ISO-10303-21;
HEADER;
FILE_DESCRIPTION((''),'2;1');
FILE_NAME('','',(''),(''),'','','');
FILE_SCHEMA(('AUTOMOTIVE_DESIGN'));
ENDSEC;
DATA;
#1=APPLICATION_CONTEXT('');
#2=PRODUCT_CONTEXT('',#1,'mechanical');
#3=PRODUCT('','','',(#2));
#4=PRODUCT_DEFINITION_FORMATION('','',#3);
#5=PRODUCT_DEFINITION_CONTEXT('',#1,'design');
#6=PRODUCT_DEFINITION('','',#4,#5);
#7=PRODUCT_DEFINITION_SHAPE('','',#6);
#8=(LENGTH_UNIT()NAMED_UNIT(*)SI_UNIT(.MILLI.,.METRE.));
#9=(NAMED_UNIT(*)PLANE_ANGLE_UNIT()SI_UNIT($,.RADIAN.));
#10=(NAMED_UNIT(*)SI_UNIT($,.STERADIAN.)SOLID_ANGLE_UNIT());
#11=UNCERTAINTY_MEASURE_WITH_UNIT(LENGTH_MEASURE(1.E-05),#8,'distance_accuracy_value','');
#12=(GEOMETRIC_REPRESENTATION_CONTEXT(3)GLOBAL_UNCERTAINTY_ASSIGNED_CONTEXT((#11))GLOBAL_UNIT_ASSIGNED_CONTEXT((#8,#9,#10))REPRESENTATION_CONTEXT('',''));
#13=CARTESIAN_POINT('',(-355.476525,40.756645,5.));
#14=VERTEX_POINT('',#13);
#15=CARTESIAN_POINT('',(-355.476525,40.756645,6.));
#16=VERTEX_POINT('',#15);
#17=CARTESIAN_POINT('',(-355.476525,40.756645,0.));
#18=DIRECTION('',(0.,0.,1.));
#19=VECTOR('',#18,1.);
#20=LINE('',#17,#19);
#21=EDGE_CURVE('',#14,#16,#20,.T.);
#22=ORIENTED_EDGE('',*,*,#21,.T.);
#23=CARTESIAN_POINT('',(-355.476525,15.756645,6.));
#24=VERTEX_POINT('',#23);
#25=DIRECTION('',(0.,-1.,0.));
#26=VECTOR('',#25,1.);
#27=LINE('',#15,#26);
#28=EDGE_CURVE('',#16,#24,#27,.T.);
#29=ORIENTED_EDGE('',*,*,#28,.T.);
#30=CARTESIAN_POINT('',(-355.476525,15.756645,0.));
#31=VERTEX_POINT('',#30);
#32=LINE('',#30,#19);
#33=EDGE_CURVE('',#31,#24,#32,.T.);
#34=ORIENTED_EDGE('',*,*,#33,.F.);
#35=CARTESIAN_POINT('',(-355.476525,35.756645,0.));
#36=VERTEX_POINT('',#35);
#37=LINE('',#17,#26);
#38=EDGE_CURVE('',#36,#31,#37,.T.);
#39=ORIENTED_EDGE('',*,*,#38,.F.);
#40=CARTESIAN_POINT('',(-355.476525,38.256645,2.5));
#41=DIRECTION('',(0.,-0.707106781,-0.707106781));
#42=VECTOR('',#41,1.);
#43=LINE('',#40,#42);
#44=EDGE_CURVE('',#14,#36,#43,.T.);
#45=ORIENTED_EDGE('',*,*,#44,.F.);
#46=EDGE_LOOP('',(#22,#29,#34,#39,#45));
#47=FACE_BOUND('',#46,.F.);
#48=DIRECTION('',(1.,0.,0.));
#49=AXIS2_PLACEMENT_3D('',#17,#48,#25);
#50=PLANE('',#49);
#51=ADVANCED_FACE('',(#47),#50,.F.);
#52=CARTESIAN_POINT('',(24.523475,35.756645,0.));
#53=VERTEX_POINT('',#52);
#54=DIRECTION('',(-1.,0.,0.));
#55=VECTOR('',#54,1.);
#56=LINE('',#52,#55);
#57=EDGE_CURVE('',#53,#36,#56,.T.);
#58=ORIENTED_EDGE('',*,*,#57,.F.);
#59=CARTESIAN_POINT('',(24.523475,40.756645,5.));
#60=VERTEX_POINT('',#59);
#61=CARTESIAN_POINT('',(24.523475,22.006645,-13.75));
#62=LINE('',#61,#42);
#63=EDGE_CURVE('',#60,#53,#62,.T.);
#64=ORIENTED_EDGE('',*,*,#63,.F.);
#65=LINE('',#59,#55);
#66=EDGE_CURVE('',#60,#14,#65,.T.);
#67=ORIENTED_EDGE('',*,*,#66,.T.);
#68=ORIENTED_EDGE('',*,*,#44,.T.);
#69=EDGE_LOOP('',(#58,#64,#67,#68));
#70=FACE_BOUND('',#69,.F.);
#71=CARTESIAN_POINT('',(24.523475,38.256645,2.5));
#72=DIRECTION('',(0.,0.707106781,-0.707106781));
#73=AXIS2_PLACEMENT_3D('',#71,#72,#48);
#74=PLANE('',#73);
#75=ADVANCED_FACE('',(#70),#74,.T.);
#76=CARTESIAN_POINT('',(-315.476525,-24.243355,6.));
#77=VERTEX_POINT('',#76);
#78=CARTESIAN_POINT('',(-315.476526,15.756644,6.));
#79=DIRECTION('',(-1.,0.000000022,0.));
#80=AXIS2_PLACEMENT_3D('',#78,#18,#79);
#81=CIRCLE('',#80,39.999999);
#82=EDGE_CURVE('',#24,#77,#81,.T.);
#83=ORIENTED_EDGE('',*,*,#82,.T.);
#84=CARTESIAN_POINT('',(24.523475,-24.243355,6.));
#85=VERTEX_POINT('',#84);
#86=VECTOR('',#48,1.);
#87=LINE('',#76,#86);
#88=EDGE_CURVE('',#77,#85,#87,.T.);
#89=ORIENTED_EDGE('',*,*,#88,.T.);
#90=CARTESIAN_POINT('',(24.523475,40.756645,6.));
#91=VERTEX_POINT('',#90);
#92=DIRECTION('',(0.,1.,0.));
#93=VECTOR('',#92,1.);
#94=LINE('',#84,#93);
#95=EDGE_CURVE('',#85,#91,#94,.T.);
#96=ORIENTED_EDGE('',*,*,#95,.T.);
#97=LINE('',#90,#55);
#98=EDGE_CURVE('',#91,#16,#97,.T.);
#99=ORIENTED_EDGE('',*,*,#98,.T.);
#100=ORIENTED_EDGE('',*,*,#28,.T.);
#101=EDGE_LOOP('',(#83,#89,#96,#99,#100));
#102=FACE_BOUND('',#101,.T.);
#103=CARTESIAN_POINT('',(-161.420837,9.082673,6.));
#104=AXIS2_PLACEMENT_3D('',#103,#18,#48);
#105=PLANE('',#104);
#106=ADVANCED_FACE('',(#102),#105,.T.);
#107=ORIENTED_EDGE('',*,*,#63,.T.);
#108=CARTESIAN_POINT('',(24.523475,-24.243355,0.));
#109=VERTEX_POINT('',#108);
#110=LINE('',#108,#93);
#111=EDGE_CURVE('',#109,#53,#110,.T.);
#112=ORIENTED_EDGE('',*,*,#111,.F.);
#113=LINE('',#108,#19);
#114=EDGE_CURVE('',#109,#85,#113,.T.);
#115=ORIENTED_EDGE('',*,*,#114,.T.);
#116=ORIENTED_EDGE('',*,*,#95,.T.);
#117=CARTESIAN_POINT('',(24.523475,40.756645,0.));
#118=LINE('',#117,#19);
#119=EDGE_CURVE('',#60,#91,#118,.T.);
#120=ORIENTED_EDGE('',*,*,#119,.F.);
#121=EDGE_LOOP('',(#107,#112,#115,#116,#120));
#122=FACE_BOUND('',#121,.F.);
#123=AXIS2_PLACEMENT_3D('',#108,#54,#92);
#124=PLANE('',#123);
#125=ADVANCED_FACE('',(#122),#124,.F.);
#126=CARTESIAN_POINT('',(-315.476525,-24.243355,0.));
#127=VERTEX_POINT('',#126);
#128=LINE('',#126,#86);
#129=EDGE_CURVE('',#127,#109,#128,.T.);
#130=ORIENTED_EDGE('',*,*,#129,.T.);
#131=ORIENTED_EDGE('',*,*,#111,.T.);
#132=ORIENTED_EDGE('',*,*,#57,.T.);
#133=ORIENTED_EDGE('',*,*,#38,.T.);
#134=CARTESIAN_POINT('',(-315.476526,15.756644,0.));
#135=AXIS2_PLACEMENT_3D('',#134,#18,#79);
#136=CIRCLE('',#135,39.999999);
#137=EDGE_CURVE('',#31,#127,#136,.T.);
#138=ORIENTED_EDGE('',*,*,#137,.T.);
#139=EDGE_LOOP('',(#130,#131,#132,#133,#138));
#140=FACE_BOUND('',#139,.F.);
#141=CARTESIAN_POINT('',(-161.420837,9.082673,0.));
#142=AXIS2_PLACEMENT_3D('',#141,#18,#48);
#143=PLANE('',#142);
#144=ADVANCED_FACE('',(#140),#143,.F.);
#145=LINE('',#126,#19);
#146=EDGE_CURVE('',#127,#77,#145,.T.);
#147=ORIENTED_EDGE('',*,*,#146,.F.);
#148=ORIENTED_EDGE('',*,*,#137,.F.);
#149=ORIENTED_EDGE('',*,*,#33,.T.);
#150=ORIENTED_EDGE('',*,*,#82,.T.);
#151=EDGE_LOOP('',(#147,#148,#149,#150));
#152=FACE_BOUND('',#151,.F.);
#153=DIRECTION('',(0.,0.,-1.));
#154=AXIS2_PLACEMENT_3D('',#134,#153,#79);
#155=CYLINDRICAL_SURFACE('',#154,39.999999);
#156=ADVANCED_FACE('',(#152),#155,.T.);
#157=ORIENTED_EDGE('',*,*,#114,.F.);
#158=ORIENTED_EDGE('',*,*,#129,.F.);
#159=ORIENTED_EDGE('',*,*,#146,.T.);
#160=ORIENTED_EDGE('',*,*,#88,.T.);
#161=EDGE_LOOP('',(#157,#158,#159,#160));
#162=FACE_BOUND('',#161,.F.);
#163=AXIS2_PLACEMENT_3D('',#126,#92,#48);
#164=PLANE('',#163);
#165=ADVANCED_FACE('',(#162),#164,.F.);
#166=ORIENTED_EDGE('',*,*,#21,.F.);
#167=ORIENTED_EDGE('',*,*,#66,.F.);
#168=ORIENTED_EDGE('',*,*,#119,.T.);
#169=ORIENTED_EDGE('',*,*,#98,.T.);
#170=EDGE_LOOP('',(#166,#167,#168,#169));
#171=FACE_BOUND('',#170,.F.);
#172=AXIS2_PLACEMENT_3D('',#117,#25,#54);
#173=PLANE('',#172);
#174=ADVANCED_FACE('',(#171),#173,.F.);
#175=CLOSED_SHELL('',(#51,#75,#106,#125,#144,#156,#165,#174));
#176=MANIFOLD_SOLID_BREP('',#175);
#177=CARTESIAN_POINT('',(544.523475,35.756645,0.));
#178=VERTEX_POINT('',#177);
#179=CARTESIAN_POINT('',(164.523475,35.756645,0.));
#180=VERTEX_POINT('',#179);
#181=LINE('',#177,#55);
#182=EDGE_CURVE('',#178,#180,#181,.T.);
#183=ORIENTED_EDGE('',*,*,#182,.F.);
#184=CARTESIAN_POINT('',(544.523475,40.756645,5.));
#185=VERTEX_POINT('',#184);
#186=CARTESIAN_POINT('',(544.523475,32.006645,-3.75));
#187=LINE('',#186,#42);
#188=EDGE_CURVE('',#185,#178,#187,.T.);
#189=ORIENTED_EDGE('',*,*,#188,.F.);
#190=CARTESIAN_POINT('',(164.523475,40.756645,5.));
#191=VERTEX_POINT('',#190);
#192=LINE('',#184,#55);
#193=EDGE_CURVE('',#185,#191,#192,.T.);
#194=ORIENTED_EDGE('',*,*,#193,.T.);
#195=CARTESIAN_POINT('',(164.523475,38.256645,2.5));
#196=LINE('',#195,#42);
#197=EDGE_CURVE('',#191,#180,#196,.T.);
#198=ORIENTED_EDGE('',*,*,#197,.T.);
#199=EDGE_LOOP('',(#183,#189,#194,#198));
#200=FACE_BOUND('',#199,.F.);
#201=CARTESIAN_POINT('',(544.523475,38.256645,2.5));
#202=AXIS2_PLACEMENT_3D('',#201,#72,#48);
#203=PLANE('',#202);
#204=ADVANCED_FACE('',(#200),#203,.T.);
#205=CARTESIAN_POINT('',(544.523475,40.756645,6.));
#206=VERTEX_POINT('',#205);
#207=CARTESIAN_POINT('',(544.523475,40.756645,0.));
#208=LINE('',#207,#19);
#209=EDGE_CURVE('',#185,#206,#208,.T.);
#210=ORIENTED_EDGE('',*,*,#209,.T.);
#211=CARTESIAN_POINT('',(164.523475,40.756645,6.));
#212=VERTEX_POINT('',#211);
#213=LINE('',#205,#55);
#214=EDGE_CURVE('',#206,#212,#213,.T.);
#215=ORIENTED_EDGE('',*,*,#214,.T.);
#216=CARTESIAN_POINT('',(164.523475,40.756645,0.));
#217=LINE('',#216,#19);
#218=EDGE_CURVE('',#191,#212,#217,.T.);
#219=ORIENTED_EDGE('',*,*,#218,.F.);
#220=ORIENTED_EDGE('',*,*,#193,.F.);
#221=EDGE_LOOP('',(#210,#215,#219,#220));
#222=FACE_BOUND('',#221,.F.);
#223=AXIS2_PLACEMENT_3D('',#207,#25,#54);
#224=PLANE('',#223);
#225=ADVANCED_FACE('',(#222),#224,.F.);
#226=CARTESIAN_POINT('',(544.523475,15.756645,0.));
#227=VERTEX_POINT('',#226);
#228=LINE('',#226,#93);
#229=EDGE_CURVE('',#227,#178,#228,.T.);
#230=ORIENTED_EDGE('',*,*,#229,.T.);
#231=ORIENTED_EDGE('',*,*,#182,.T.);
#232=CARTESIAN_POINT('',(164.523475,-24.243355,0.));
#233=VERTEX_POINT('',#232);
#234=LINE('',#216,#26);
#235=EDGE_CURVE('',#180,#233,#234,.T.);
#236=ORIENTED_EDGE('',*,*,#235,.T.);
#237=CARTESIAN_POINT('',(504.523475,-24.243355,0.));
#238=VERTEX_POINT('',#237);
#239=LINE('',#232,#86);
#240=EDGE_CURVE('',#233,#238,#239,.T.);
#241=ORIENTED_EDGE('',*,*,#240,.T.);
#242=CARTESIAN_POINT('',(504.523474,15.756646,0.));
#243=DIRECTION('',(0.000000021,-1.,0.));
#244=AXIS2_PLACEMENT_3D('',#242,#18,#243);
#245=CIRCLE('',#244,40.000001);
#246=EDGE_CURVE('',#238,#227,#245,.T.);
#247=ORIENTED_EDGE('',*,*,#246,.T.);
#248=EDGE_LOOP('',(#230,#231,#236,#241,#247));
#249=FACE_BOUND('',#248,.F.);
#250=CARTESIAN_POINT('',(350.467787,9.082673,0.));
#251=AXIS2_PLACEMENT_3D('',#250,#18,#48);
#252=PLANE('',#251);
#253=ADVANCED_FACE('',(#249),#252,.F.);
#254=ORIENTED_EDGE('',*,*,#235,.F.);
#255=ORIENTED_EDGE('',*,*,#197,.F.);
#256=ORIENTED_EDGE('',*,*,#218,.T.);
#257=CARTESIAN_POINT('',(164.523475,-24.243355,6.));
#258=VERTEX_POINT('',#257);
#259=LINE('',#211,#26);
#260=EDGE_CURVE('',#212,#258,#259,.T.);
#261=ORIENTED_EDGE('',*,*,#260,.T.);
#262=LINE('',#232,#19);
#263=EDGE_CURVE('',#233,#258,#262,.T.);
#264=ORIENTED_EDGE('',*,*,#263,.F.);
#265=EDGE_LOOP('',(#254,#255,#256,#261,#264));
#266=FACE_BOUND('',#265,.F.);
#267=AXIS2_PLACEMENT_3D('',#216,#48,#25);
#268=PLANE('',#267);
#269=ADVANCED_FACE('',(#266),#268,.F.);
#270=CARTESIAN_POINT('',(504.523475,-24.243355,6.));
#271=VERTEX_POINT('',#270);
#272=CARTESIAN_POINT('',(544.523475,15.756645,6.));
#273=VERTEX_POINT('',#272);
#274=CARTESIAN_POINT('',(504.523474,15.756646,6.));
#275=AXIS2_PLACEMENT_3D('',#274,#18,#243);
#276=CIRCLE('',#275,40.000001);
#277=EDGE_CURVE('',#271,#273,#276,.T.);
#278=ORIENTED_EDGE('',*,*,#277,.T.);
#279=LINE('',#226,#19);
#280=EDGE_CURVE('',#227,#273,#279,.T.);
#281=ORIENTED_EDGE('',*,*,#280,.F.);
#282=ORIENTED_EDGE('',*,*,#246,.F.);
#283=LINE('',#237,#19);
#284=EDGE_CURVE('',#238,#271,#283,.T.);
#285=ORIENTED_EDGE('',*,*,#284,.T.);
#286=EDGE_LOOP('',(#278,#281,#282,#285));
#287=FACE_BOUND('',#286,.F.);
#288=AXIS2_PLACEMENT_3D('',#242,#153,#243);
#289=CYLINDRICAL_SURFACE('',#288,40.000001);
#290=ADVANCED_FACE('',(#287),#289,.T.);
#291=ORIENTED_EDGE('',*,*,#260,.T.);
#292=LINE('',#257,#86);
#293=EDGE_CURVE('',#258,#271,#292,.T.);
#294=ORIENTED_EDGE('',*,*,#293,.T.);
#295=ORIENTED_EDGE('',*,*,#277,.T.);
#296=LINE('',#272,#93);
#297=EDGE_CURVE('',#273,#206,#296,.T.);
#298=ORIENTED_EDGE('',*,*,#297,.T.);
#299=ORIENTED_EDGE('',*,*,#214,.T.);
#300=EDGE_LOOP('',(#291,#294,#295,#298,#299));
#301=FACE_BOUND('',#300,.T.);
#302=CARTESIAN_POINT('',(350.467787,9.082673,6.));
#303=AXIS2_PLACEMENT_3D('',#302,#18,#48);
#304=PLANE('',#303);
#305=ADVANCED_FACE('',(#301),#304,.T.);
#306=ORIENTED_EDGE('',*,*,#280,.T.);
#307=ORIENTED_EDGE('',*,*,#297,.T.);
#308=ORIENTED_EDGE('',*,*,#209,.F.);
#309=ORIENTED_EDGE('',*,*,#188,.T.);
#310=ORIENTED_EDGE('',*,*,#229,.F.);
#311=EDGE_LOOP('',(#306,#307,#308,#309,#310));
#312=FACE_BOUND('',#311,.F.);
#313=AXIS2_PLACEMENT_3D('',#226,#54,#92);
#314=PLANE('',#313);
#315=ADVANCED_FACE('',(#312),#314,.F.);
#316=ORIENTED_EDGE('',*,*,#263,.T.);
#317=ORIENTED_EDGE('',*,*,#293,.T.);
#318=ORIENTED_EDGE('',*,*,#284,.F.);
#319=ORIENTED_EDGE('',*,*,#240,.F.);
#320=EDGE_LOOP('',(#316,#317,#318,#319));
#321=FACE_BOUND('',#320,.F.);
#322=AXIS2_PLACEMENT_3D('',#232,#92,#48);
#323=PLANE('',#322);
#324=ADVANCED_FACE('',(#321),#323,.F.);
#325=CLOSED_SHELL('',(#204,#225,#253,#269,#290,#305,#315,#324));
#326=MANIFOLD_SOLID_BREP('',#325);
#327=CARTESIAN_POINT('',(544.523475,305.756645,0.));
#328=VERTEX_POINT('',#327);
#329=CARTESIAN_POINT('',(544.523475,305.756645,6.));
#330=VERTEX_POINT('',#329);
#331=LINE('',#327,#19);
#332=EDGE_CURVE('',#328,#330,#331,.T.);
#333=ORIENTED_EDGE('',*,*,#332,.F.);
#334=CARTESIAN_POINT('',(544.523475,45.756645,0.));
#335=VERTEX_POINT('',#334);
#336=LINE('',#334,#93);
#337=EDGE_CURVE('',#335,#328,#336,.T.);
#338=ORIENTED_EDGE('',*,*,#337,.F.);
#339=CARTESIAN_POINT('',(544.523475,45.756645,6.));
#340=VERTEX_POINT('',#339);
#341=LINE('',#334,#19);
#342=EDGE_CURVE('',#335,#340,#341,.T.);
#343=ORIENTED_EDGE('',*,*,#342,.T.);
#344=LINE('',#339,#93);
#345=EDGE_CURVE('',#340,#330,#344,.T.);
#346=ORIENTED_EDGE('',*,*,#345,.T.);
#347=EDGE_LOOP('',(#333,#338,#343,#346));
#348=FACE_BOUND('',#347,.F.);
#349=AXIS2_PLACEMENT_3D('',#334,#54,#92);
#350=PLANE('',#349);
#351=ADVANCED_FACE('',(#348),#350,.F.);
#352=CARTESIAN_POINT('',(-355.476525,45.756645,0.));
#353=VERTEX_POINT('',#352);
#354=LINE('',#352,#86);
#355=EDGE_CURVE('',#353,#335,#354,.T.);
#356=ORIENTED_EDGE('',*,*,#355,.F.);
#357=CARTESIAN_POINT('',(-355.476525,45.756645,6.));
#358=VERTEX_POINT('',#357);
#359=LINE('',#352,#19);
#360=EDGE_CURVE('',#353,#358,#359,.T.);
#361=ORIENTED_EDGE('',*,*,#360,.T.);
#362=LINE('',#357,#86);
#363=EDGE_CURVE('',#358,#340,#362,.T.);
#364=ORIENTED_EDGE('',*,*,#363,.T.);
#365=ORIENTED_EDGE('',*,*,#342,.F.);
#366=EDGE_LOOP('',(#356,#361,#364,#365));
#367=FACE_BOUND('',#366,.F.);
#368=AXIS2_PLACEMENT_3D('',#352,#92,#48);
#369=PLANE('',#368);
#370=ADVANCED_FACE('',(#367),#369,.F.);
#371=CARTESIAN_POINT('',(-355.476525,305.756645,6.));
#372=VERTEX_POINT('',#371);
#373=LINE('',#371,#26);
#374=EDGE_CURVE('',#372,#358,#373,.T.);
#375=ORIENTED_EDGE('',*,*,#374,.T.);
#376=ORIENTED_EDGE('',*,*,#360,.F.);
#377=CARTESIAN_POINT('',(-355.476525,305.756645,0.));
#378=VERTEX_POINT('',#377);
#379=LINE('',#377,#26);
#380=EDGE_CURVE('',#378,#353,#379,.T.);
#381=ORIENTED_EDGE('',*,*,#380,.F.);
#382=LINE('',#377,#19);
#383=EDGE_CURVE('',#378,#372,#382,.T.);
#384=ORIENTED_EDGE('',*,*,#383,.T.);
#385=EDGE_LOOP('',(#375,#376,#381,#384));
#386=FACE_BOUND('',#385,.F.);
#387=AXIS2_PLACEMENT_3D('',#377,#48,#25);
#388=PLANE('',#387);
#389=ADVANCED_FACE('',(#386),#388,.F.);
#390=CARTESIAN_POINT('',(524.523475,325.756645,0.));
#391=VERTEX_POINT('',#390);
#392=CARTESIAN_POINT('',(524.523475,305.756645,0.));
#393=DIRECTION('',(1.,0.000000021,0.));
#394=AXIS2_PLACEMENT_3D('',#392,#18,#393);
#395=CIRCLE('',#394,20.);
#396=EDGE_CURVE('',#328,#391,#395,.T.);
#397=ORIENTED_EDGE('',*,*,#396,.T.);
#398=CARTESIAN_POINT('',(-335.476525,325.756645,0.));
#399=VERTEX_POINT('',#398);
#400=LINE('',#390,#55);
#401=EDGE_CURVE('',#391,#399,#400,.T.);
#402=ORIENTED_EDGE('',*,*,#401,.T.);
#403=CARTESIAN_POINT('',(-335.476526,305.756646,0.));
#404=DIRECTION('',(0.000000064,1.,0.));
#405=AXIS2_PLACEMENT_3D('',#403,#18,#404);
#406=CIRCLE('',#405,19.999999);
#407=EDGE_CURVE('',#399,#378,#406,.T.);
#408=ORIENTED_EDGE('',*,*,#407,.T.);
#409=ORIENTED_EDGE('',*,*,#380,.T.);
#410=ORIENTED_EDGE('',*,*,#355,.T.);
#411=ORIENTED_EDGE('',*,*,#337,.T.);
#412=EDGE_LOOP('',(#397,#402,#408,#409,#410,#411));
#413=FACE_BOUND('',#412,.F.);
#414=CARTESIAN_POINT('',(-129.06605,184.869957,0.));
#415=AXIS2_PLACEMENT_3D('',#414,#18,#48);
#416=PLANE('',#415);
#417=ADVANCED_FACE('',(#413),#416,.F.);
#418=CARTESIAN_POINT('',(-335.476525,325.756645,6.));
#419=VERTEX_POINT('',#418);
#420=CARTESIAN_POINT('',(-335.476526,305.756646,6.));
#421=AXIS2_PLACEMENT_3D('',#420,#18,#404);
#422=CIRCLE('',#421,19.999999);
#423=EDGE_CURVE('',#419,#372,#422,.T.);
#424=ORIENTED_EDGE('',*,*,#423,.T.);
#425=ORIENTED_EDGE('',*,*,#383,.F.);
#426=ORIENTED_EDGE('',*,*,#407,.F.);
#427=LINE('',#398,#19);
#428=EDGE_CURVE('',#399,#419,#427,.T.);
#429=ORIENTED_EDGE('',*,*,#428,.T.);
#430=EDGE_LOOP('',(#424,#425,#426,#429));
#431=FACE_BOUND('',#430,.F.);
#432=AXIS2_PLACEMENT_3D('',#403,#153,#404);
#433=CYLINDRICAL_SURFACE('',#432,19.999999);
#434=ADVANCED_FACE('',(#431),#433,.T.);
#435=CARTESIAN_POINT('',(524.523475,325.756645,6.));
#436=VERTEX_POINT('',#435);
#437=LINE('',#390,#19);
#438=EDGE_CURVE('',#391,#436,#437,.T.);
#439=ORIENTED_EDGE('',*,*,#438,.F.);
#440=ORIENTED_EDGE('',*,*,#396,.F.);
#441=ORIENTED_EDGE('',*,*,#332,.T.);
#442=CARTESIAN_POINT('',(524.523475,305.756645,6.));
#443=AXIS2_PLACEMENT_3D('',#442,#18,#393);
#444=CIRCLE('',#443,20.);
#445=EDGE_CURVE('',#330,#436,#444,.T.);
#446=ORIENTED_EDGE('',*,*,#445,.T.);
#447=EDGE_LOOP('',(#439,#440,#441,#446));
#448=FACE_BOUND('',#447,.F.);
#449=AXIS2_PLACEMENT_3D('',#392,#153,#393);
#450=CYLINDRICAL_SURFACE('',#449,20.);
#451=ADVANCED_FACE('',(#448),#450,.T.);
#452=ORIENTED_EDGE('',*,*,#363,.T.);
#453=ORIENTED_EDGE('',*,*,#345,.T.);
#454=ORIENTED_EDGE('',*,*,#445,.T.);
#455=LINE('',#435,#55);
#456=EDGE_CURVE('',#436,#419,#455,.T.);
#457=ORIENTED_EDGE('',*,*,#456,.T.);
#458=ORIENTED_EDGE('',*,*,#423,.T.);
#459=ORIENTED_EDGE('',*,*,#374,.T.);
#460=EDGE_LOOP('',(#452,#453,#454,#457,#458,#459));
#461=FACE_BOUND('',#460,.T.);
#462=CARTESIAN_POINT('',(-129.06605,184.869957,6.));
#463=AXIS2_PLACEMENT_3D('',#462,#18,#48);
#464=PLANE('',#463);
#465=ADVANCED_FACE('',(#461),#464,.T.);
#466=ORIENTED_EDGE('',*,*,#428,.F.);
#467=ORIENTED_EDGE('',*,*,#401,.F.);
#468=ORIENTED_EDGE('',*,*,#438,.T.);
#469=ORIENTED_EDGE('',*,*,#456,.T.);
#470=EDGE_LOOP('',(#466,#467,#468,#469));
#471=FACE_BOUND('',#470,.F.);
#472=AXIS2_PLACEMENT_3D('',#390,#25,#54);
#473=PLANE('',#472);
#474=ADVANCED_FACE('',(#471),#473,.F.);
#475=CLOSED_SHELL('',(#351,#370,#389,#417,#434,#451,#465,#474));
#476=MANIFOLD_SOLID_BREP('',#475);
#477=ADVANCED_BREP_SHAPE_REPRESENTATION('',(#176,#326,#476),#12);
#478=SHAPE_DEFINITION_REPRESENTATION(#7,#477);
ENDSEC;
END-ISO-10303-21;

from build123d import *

# Parameters (mm, degrees)
F1_DEPTH = 6
F2_SIZE  = 5
F3_SIZE  = 5


with BuildPart() as f1:
    # F0 (on Top) → F1 (new body)
    with BuildSketch(Plane.XY):
        with BuildLine():
            Line((94.523475, 325.756645), (-335.476525, 325.756645))
            ThreePointArc((-335.476525, 325.756645), (-349.618661, 319.898781), (-355.476525, 305.756645))
            Line((-355.476525, 305.756645), (-355.476525, 45.756645))
            Line((-355.476525, 45.756645), (-300.793154, 45.756645))
            Line((-300.793154, 45.756645), (94.523475, 45.756645))
            Line((94.523475, 45.756645), (94.523475, 325.756645))
        make_face()
        with BuildLine():
            Line((544.523475, 40.756645), (164.523475, 40.756645))
            Line((164.523475, 40.756645), (164.523475, -24.243355))
            Line((164.523475, -24.243355), (504.523475, -24.243355))
            ThreePointArc((504.523475, -24.243355), (532.807746, -12.527626), (544.523475, 15.756645))
            Line((544.523475, 15.756645), (544.523475, 40.756645))
        make_face()
        with BuildLine():
            Line((24.523475, -24.243355), (24.523475, 40.756645))
            Line((24.523475, 40.756645), (-355.476525, 40.756645))
            Line((-355.476525, 40.756645), (-355.476525, 15.756645))
            ThreePointArc((-355.476525, 15.756645), (-343.760797, -12.527626), (-315.476525, -24.243355))
            Line((-315.476525, -24.243355), (24.523475, -24.243355))
        make_face()
        with BuildLine():
            Line((524.523475, 325.756645), (94.523475, 325.756645))
            Line((94.523475, 325.756645), (94.523475, 45.756645))
            Line((94.523475, 45.756645), (544.523475, 45.756645))
            Line((544.523475, 45.756645), (544.523475, 305.756645))
            ThreePointArc((544.523475, 305.756645), (538.66561, 319.898781), (524.523475, 325.756645))
        make_face()
    extrude(amount=F1_DEPTH)

    # F2
    f2_edges = [f1.edges().sort_by_distance(p)[0] for p in [
        (-165.476525, 40.756645, 0),
    ]]
    chamfer(f2_edges, length=F2_SIZE)

    # F3
    f3_edges = [f1.edges().sort_by_distance(p)[0] for p in [
        (354.523475, 40.756645, 0),
    ]]
    chamfer(f3_edges, length=F3_SIZE)


solid = f1.part
